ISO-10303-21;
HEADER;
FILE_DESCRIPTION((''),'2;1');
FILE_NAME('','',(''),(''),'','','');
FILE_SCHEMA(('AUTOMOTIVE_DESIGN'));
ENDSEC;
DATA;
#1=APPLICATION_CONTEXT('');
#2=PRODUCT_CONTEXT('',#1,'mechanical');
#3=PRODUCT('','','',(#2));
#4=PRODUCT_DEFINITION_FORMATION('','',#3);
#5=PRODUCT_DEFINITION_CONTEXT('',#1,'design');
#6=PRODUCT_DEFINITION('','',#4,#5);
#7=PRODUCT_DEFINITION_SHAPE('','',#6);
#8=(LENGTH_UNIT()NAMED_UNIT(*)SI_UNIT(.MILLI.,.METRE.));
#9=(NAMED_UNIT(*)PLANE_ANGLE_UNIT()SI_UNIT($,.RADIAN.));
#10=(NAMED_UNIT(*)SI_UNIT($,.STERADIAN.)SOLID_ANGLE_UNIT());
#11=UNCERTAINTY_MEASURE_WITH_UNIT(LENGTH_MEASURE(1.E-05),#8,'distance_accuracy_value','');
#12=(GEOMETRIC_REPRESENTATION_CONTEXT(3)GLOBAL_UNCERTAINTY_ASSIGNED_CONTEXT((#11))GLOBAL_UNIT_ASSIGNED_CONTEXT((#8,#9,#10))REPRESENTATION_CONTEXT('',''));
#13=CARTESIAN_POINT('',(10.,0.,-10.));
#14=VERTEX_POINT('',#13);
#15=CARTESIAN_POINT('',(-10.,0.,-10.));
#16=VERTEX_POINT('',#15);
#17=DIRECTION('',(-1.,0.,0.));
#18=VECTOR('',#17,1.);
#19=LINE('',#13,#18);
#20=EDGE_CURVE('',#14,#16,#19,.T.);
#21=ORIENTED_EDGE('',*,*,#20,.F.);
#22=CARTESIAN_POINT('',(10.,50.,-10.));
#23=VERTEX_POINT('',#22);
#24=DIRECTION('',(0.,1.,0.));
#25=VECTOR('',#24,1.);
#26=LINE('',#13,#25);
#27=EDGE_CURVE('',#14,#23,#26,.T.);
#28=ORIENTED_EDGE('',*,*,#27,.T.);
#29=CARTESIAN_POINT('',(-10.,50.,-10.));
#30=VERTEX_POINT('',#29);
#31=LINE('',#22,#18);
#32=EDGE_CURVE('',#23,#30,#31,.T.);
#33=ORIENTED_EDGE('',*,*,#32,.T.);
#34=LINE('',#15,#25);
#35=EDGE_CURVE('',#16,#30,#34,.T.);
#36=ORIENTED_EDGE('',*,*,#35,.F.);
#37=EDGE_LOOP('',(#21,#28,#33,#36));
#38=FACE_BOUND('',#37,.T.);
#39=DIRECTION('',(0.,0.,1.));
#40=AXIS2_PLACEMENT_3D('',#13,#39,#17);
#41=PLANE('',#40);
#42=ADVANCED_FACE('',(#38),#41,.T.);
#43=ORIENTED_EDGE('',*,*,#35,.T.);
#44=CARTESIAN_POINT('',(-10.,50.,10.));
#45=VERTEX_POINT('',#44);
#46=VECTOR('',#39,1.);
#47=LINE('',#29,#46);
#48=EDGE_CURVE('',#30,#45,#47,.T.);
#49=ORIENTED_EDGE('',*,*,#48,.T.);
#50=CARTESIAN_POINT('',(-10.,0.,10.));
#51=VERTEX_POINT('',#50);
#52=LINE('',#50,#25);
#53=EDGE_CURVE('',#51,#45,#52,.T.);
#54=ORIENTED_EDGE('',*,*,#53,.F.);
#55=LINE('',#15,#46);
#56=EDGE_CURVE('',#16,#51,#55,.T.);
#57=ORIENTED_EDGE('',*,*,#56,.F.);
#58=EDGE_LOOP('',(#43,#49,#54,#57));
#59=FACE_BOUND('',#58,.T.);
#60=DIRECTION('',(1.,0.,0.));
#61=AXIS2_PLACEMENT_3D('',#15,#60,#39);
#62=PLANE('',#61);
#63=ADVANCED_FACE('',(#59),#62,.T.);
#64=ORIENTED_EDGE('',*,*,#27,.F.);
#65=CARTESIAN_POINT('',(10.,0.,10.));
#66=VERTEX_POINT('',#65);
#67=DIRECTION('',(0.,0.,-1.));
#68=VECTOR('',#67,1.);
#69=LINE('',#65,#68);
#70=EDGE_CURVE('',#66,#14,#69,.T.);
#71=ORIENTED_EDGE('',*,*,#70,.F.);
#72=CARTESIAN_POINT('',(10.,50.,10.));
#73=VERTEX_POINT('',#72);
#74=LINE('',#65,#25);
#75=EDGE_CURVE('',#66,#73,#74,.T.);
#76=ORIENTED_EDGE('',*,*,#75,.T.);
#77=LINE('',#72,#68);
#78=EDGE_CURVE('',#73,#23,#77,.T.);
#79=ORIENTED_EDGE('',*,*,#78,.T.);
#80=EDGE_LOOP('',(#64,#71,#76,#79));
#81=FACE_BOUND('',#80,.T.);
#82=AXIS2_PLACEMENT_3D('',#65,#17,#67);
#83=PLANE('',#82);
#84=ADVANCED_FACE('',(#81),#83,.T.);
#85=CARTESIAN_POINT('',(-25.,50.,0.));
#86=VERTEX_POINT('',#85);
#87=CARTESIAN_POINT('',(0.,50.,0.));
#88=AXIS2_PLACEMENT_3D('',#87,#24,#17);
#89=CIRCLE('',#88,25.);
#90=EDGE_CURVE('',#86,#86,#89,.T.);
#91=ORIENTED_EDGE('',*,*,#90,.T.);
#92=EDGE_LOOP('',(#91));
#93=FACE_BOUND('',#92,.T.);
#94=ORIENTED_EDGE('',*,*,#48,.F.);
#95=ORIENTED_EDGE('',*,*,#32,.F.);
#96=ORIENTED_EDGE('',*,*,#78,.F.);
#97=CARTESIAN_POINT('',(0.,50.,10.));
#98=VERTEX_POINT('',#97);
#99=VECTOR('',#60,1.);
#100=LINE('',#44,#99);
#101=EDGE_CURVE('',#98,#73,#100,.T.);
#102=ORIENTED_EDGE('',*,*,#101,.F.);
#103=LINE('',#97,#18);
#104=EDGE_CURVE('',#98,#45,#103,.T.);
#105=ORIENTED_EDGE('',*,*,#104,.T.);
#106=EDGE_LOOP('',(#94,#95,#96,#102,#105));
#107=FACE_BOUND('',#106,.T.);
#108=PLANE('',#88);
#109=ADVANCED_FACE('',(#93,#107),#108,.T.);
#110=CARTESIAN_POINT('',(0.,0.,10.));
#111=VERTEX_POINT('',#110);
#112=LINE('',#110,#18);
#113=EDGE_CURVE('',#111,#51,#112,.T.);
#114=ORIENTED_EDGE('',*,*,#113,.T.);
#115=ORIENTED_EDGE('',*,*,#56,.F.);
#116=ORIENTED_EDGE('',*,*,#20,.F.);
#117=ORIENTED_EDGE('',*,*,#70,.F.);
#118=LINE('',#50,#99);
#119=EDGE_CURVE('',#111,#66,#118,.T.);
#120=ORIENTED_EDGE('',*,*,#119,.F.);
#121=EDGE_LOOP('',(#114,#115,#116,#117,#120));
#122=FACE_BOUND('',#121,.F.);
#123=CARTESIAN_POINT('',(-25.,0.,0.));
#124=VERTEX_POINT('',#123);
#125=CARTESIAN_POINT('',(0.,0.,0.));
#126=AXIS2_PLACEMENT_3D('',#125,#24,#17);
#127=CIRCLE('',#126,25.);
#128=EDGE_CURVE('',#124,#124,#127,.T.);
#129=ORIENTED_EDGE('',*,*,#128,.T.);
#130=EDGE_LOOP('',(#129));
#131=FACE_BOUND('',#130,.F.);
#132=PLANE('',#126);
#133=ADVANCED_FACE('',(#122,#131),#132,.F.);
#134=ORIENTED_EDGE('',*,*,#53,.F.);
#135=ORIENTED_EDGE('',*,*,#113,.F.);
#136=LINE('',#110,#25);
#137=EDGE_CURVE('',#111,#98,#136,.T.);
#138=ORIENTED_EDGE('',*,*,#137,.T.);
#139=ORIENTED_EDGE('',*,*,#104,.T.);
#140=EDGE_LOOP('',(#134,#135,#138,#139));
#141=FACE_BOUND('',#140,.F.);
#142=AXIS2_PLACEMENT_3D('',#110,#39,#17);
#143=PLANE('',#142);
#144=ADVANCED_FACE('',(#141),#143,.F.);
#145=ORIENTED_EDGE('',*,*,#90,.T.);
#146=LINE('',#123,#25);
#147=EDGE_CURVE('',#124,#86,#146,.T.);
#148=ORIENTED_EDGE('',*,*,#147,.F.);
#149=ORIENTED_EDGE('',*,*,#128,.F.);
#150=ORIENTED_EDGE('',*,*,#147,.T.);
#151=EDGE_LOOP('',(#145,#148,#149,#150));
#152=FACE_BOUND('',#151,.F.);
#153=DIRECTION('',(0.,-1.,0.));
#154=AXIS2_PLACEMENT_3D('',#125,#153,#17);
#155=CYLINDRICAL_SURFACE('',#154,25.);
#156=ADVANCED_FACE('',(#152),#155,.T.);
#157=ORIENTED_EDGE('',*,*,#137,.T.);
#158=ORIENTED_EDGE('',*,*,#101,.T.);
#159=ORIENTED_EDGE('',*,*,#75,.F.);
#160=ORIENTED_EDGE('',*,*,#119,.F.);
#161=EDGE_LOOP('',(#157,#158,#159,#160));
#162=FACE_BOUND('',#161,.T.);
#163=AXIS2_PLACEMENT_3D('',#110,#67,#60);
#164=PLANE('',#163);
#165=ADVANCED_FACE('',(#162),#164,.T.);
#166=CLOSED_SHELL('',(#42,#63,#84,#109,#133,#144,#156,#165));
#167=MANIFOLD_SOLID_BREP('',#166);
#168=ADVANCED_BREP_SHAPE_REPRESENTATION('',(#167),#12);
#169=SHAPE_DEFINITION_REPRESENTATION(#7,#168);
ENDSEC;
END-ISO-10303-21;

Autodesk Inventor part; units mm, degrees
ref_plane "YZ Plane" through (0, 0, 0) normal (1, 0, 0) x (0, 1, 0)
ref_plane "XZ Plane" through (0, 0, 0) normal (0, 1, 0) x (-1, 0, 0)
ref_plane "XY Plane" through (0, 0, 0) normal (0, 0, 1) x (1, 0, 0)
sketch "Sketch1" plane through (0, 0, 0) normal (0, 1, 0) x (-1, 0, 0)
  circle A0 centre (0, 0) radius 25
  line L0 (0, 0) -> (0, 10)
  line L1 (0, 10) -> (10, 10)
  line L2 (10, 10) -> (-10, 10)
  line L3 (-10, 10) -> (-10, -10)
  line L4 (-10, -10) -> (10, -10)
  line L5 (10, -10) -> (10, 10)
  dimension "d0" = 50
  dimension "d1" = 10
  dimension "d2" = 10
  dimension "d3" = 20
  dimension "d4" = 20
extrude "Extrusion1" add sketch "Sketch1" along normal blind 50
properties part number "base"
